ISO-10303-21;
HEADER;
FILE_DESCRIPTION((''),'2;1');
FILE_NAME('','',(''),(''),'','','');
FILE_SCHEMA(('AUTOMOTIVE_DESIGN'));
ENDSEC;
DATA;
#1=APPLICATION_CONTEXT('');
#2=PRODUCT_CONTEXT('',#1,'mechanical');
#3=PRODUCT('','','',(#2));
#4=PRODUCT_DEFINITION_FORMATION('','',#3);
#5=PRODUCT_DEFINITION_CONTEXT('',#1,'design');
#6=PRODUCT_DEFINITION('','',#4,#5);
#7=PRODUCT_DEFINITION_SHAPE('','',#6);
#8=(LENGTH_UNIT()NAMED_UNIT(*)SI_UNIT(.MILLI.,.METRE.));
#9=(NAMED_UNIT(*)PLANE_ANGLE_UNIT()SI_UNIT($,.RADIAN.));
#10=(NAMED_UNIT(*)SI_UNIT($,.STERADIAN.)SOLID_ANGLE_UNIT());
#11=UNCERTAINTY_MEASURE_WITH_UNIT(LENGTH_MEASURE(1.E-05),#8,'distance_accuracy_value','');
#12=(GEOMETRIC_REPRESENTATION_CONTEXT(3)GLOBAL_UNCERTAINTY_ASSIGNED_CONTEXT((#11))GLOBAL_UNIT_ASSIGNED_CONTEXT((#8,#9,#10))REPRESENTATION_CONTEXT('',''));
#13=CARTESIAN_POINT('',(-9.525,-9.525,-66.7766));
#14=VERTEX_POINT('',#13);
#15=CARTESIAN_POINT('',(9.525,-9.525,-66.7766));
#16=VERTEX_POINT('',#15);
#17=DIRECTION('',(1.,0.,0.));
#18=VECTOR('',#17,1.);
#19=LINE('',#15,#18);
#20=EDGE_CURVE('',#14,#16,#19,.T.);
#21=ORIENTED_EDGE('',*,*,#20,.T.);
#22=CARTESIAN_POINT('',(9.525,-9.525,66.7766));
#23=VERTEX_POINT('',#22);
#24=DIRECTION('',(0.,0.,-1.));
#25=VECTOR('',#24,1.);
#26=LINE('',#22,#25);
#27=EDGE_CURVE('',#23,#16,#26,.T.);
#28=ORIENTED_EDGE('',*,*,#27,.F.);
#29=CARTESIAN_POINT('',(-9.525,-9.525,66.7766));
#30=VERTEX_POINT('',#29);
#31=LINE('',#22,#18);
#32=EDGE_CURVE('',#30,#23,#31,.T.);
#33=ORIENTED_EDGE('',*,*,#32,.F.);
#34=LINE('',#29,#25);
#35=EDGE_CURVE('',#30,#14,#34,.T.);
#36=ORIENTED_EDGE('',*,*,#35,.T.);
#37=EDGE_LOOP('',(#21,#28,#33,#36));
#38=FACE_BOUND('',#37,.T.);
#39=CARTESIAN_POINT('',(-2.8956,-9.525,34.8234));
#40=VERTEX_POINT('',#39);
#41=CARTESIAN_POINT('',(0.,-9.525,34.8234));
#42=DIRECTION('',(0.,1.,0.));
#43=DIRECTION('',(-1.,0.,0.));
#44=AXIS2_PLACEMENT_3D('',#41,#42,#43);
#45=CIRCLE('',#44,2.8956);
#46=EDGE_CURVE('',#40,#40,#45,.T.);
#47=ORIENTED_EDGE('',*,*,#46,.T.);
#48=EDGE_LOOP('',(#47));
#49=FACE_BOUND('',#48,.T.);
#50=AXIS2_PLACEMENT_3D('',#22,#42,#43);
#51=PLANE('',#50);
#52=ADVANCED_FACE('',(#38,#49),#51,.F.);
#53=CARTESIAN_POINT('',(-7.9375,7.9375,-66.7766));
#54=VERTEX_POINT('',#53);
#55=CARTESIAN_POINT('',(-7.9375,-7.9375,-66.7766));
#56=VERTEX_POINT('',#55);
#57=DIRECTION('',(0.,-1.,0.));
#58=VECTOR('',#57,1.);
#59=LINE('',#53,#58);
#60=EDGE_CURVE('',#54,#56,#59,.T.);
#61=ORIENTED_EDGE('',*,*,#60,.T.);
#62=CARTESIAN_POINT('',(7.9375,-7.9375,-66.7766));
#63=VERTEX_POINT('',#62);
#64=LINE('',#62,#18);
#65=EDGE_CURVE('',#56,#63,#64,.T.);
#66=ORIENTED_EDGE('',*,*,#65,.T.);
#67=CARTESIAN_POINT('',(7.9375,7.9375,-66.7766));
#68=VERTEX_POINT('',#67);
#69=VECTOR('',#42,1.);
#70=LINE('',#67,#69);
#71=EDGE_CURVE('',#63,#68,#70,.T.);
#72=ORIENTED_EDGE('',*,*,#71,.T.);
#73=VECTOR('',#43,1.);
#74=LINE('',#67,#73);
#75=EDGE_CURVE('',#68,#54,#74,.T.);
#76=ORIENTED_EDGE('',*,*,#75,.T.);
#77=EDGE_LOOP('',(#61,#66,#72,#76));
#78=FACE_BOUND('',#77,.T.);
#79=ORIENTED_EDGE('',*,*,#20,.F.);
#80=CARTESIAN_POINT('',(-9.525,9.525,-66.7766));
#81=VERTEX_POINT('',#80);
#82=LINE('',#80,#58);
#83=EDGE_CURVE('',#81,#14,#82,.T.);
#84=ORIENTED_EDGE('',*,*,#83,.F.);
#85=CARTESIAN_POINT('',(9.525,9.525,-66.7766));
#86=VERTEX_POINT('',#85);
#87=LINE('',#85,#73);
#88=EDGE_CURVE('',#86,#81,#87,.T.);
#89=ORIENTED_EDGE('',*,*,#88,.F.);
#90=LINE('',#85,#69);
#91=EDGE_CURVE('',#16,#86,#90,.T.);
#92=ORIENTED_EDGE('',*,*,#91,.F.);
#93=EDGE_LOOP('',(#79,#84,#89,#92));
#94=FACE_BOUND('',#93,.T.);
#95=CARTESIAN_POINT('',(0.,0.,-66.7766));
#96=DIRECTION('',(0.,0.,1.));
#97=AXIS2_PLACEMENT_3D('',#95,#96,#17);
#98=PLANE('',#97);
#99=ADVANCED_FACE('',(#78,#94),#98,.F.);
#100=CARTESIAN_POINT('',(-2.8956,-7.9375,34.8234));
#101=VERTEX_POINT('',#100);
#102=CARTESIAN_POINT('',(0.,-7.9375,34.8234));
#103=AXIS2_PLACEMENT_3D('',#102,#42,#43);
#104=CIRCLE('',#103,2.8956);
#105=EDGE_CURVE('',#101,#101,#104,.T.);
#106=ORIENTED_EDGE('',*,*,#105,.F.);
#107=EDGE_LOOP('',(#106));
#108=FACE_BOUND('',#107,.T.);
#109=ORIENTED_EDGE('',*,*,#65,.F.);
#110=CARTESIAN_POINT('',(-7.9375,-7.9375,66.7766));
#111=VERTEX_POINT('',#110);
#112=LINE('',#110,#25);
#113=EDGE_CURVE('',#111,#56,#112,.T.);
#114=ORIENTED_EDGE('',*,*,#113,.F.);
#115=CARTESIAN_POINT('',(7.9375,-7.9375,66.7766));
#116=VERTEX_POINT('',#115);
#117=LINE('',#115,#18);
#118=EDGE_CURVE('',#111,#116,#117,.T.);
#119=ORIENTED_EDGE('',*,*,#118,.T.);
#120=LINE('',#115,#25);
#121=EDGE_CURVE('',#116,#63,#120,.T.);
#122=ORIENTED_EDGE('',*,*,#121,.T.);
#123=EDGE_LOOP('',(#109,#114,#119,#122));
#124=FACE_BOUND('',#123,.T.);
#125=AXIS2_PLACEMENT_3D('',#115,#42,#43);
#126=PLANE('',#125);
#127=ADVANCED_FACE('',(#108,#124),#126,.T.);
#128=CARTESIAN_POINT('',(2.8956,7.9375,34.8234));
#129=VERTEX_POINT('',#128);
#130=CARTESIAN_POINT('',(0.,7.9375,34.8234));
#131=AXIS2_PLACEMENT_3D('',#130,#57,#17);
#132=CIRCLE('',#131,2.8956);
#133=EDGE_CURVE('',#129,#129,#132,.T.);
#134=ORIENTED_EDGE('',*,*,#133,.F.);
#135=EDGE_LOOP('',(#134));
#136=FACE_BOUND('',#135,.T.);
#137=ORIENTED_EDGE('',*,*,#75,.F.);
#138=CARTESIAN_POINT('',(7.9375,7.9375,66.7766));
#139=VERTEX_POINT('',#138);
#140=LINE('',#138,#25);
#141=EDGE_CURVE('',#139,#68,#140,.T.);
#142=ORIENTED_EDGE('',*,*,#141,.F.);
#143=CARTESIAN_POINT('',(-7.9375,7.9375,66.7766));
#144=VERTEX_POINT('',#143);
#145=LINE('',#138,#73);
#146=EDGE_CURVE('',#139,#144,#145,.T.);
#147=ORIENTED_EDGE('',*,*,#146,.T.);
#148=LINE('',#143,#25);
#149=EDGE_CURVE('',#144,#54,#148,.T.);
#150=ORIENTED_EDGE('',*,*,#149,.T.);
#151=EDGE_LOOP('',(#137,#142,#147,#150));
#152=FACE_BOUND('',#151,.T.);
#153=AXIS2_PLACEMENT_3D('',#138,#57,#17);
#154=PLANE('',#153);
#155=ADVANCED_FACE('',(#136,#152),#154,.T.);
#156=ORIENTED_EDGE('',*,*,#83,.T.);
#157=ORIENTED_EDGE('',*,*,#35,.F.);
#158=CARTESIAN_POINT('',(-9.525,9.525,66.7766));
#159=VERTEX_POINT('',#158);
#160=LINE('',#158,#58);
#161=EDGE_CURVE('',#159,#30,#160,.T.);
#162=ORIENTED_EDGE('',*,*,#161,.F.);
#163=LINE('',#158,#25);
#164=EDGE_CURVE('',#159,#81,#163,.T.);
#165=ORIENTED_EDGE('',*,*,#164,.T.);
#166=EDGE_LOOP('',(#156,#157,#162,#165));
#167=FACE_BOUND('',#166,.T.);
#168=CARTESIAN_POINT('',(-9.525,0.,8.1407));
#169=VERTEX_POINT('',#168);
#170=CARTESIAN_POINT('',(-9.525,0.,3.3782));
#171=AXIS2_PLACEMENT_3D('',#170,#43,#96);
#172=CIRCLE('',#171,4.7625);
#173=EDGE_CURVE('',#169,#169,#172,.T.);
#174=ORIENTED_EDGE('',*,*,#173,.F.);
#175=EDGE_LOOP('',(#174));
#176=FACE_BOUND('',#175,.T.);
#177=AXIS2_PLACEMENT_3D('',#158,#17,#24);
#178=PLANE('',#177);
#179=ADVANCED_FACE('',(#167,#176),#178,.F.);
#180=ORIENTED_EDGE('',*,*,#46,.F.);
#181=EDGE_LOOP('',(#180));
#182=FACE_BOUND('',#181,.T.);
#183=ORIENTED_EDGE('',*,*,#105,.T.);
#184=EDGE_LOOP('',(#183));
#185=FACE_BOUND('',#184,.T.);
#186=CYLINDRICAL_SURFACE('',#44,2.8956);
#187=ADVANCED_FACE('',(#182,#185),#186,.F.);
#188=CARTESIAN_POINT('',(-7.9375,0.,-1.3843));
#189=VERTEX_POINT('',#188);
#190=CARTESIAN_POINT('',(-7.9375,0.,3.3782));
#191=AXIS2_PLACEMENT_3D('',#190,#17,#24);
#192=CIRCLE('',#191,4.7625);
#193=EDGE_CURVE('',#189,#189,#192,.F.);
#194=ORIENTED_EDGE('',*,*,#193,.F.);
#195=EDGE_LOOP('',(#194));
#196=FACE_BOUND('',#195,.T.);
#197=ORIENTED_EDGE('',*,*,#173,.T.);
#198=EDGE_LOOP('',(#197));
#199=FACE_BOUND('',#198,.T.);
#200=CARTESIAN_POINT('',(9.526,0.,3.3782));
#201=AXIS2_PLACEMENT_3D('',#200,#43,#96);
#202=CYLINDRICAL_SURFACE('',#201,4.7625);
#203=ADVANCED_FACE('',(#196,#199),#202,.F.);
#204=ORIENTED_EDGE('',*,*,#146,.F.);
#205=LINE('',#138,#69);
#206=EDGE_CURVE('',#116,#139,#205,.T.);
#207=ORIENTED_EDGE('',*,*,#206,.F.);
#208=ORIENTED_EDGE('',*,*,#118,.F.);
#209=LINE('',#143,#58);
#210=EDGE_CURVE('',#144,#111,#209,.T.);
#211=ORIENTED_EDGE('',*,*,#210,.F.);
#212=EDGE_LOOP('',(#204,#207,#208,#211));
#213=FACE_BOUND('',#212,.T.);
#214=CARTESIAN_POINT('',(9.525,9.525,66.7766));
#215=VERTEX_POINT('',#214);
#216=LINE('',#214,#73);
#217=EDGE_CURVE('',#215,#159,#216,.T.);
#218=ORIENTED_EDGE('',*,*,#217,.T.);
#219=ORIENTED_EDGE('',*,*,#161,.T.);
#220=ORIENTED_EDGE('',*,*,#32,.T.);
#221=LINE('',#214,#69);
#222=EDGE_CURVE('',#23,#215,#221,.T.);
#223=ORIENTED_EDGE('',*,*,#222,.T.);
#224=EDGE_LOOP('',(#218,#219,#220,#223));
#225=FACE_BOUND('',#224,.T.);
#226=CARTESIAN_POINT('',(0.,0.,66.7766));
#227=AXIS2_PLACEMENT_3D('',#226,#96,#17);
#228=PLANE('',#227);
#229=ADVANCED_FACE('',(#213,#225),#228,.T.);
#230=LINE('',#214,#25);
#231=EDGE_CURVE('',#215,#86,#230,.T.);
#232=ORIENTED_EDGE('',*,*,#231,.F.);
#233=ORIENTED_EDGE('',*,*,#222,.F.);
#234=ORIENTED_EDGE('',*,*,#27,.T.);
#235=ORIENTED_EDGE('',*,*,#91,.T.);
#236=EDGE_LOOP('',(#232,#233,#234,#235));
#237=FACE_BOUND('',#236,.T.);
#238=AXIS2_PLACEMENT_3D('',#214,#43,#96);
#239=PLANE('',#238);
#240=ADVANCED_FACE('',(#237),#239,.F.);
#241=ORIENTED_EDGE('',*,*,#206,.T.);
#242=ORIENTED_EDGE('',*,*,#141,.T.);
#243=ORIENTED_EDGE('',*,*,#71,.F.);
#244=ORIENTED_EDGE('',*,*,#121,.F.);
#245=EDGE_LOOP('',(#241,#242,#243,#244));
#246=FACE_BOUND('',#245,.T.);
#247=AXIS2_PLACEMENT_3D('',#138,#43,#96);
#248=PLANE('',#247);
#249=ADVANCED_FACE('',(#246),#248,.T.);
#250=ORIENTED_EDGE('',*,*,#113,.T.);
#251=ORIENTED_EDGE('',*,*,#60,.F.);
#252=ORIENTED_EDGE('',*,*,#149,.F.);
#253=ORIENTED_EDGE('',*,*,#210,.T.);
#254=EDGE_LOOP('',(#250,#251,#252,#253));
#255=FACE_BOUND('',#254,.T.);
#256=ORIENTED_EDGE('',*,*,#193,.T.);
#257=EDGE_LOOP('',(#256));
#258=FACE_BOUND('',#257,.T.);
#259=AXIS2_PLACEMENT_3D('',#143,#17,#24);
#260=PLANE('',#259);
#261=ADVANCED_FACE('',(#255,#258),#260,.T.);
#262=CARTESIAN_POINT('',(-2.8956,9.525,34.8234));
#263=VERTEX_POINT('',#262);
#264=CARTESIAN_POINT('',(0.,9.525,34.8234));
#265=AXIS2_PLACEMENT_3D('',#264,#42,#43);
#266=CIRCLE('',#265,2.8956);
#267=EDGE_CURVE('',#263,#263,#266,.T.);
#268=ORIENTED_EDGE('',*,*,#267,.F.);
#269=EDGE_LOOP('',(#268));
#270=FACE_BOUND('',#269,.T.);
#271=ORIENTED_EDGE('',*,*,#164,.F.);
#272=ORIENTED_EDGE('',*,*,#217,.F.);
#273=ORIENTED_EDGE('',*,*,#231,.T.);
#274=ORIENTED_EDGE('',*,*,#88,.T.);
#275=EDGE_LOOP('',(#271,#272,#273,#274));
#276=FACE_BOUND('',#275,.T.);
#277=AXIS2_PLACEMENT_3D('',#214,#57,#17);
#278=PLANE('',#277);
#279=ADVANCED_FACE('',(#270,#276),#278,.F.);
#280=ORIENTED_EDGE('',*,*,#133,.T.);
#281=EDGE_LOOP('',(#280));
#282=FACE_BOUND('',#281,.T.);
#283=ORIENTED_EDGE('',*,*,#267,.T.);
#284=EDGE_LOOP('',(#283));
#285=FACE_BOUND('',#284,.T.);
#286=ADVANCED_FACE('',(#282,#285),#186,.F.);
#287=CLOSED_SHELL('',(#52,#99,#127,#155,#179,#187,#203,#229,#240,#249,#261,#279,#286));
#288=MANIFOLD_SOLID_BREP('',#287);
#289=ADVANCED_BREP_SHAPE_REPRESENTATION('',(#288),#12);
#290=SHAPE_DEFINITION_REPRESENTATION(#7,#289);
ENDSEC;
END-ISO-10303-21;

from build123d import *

# Parameters (mm, degrees)
SKETCH1_W                = 19.05
SKETCH1_H                = 19.05
SKETCH1_W_2              = 15.875
SKETCH1_H_2              = 15.875
BOSS_EXTRUDE1_DEPTH      = 66.7766
SKETCH2_R                = 2.8956
BASEPLATEMOUNTHOLE_DEPTH = 20.05
CUT_EXTRUDE1_REACH       = 21.05
SKETCH3_R                = 4.7625


with BuildPart() as part:
    # Sketch1 → Boss-Extrude1 (new body, symmetric)
    with BuildSketch(Plane(origin=(0, 0, 0), x_dir=(0, -1, 0), z_dir=(0, 0, 1))):
        Rectangle(SKETCH1_W, SKETCH1_H)
        Rectangle(SKETCH1_W_2, SKETCH1_H_2, mode=Mode.SUBTRACT)
    extrude(amount=BOSS_EXTRUDE1_DEPTH, both=True)

    # Sketch2 → BasePlateMountHole (cut, through all)
    with BuildSketch(Plane(origin=(0, 9.525, 0), x_dir=(1, 0, 0), z_dir=(0, 1, 0))):
        with Locations((0, -34.8234)):
            Circle(SKETCH2_R)
    extrude(amount=-BASEPLATEMOUNTHOLE_DEPTH, mode=Mode.SUBTRACT)

    # Sketch3 → Cut-Extrude1 (cut, up to next)
    with BuildSketch(Plane.ZY.offset(9.525), mode=Mode.PRIVATE) as cut_extrude1_sk1:
        with Locations((3.3782, 0)):
            Circle(SKETCH3_R)
    cut_extrude1_tool1 = extrude(cut_extrude1_sk1.sketch, amount=-CUT_EXTRUDE1_REACH, mode=Mode.PRIVATE) & part.part
    add(cut_extrude1_tool1.solids().sort_by_distance((-9.525, 0, 3.3782))[0], mode=Mode.SUBTRACT)


solid = part.part
